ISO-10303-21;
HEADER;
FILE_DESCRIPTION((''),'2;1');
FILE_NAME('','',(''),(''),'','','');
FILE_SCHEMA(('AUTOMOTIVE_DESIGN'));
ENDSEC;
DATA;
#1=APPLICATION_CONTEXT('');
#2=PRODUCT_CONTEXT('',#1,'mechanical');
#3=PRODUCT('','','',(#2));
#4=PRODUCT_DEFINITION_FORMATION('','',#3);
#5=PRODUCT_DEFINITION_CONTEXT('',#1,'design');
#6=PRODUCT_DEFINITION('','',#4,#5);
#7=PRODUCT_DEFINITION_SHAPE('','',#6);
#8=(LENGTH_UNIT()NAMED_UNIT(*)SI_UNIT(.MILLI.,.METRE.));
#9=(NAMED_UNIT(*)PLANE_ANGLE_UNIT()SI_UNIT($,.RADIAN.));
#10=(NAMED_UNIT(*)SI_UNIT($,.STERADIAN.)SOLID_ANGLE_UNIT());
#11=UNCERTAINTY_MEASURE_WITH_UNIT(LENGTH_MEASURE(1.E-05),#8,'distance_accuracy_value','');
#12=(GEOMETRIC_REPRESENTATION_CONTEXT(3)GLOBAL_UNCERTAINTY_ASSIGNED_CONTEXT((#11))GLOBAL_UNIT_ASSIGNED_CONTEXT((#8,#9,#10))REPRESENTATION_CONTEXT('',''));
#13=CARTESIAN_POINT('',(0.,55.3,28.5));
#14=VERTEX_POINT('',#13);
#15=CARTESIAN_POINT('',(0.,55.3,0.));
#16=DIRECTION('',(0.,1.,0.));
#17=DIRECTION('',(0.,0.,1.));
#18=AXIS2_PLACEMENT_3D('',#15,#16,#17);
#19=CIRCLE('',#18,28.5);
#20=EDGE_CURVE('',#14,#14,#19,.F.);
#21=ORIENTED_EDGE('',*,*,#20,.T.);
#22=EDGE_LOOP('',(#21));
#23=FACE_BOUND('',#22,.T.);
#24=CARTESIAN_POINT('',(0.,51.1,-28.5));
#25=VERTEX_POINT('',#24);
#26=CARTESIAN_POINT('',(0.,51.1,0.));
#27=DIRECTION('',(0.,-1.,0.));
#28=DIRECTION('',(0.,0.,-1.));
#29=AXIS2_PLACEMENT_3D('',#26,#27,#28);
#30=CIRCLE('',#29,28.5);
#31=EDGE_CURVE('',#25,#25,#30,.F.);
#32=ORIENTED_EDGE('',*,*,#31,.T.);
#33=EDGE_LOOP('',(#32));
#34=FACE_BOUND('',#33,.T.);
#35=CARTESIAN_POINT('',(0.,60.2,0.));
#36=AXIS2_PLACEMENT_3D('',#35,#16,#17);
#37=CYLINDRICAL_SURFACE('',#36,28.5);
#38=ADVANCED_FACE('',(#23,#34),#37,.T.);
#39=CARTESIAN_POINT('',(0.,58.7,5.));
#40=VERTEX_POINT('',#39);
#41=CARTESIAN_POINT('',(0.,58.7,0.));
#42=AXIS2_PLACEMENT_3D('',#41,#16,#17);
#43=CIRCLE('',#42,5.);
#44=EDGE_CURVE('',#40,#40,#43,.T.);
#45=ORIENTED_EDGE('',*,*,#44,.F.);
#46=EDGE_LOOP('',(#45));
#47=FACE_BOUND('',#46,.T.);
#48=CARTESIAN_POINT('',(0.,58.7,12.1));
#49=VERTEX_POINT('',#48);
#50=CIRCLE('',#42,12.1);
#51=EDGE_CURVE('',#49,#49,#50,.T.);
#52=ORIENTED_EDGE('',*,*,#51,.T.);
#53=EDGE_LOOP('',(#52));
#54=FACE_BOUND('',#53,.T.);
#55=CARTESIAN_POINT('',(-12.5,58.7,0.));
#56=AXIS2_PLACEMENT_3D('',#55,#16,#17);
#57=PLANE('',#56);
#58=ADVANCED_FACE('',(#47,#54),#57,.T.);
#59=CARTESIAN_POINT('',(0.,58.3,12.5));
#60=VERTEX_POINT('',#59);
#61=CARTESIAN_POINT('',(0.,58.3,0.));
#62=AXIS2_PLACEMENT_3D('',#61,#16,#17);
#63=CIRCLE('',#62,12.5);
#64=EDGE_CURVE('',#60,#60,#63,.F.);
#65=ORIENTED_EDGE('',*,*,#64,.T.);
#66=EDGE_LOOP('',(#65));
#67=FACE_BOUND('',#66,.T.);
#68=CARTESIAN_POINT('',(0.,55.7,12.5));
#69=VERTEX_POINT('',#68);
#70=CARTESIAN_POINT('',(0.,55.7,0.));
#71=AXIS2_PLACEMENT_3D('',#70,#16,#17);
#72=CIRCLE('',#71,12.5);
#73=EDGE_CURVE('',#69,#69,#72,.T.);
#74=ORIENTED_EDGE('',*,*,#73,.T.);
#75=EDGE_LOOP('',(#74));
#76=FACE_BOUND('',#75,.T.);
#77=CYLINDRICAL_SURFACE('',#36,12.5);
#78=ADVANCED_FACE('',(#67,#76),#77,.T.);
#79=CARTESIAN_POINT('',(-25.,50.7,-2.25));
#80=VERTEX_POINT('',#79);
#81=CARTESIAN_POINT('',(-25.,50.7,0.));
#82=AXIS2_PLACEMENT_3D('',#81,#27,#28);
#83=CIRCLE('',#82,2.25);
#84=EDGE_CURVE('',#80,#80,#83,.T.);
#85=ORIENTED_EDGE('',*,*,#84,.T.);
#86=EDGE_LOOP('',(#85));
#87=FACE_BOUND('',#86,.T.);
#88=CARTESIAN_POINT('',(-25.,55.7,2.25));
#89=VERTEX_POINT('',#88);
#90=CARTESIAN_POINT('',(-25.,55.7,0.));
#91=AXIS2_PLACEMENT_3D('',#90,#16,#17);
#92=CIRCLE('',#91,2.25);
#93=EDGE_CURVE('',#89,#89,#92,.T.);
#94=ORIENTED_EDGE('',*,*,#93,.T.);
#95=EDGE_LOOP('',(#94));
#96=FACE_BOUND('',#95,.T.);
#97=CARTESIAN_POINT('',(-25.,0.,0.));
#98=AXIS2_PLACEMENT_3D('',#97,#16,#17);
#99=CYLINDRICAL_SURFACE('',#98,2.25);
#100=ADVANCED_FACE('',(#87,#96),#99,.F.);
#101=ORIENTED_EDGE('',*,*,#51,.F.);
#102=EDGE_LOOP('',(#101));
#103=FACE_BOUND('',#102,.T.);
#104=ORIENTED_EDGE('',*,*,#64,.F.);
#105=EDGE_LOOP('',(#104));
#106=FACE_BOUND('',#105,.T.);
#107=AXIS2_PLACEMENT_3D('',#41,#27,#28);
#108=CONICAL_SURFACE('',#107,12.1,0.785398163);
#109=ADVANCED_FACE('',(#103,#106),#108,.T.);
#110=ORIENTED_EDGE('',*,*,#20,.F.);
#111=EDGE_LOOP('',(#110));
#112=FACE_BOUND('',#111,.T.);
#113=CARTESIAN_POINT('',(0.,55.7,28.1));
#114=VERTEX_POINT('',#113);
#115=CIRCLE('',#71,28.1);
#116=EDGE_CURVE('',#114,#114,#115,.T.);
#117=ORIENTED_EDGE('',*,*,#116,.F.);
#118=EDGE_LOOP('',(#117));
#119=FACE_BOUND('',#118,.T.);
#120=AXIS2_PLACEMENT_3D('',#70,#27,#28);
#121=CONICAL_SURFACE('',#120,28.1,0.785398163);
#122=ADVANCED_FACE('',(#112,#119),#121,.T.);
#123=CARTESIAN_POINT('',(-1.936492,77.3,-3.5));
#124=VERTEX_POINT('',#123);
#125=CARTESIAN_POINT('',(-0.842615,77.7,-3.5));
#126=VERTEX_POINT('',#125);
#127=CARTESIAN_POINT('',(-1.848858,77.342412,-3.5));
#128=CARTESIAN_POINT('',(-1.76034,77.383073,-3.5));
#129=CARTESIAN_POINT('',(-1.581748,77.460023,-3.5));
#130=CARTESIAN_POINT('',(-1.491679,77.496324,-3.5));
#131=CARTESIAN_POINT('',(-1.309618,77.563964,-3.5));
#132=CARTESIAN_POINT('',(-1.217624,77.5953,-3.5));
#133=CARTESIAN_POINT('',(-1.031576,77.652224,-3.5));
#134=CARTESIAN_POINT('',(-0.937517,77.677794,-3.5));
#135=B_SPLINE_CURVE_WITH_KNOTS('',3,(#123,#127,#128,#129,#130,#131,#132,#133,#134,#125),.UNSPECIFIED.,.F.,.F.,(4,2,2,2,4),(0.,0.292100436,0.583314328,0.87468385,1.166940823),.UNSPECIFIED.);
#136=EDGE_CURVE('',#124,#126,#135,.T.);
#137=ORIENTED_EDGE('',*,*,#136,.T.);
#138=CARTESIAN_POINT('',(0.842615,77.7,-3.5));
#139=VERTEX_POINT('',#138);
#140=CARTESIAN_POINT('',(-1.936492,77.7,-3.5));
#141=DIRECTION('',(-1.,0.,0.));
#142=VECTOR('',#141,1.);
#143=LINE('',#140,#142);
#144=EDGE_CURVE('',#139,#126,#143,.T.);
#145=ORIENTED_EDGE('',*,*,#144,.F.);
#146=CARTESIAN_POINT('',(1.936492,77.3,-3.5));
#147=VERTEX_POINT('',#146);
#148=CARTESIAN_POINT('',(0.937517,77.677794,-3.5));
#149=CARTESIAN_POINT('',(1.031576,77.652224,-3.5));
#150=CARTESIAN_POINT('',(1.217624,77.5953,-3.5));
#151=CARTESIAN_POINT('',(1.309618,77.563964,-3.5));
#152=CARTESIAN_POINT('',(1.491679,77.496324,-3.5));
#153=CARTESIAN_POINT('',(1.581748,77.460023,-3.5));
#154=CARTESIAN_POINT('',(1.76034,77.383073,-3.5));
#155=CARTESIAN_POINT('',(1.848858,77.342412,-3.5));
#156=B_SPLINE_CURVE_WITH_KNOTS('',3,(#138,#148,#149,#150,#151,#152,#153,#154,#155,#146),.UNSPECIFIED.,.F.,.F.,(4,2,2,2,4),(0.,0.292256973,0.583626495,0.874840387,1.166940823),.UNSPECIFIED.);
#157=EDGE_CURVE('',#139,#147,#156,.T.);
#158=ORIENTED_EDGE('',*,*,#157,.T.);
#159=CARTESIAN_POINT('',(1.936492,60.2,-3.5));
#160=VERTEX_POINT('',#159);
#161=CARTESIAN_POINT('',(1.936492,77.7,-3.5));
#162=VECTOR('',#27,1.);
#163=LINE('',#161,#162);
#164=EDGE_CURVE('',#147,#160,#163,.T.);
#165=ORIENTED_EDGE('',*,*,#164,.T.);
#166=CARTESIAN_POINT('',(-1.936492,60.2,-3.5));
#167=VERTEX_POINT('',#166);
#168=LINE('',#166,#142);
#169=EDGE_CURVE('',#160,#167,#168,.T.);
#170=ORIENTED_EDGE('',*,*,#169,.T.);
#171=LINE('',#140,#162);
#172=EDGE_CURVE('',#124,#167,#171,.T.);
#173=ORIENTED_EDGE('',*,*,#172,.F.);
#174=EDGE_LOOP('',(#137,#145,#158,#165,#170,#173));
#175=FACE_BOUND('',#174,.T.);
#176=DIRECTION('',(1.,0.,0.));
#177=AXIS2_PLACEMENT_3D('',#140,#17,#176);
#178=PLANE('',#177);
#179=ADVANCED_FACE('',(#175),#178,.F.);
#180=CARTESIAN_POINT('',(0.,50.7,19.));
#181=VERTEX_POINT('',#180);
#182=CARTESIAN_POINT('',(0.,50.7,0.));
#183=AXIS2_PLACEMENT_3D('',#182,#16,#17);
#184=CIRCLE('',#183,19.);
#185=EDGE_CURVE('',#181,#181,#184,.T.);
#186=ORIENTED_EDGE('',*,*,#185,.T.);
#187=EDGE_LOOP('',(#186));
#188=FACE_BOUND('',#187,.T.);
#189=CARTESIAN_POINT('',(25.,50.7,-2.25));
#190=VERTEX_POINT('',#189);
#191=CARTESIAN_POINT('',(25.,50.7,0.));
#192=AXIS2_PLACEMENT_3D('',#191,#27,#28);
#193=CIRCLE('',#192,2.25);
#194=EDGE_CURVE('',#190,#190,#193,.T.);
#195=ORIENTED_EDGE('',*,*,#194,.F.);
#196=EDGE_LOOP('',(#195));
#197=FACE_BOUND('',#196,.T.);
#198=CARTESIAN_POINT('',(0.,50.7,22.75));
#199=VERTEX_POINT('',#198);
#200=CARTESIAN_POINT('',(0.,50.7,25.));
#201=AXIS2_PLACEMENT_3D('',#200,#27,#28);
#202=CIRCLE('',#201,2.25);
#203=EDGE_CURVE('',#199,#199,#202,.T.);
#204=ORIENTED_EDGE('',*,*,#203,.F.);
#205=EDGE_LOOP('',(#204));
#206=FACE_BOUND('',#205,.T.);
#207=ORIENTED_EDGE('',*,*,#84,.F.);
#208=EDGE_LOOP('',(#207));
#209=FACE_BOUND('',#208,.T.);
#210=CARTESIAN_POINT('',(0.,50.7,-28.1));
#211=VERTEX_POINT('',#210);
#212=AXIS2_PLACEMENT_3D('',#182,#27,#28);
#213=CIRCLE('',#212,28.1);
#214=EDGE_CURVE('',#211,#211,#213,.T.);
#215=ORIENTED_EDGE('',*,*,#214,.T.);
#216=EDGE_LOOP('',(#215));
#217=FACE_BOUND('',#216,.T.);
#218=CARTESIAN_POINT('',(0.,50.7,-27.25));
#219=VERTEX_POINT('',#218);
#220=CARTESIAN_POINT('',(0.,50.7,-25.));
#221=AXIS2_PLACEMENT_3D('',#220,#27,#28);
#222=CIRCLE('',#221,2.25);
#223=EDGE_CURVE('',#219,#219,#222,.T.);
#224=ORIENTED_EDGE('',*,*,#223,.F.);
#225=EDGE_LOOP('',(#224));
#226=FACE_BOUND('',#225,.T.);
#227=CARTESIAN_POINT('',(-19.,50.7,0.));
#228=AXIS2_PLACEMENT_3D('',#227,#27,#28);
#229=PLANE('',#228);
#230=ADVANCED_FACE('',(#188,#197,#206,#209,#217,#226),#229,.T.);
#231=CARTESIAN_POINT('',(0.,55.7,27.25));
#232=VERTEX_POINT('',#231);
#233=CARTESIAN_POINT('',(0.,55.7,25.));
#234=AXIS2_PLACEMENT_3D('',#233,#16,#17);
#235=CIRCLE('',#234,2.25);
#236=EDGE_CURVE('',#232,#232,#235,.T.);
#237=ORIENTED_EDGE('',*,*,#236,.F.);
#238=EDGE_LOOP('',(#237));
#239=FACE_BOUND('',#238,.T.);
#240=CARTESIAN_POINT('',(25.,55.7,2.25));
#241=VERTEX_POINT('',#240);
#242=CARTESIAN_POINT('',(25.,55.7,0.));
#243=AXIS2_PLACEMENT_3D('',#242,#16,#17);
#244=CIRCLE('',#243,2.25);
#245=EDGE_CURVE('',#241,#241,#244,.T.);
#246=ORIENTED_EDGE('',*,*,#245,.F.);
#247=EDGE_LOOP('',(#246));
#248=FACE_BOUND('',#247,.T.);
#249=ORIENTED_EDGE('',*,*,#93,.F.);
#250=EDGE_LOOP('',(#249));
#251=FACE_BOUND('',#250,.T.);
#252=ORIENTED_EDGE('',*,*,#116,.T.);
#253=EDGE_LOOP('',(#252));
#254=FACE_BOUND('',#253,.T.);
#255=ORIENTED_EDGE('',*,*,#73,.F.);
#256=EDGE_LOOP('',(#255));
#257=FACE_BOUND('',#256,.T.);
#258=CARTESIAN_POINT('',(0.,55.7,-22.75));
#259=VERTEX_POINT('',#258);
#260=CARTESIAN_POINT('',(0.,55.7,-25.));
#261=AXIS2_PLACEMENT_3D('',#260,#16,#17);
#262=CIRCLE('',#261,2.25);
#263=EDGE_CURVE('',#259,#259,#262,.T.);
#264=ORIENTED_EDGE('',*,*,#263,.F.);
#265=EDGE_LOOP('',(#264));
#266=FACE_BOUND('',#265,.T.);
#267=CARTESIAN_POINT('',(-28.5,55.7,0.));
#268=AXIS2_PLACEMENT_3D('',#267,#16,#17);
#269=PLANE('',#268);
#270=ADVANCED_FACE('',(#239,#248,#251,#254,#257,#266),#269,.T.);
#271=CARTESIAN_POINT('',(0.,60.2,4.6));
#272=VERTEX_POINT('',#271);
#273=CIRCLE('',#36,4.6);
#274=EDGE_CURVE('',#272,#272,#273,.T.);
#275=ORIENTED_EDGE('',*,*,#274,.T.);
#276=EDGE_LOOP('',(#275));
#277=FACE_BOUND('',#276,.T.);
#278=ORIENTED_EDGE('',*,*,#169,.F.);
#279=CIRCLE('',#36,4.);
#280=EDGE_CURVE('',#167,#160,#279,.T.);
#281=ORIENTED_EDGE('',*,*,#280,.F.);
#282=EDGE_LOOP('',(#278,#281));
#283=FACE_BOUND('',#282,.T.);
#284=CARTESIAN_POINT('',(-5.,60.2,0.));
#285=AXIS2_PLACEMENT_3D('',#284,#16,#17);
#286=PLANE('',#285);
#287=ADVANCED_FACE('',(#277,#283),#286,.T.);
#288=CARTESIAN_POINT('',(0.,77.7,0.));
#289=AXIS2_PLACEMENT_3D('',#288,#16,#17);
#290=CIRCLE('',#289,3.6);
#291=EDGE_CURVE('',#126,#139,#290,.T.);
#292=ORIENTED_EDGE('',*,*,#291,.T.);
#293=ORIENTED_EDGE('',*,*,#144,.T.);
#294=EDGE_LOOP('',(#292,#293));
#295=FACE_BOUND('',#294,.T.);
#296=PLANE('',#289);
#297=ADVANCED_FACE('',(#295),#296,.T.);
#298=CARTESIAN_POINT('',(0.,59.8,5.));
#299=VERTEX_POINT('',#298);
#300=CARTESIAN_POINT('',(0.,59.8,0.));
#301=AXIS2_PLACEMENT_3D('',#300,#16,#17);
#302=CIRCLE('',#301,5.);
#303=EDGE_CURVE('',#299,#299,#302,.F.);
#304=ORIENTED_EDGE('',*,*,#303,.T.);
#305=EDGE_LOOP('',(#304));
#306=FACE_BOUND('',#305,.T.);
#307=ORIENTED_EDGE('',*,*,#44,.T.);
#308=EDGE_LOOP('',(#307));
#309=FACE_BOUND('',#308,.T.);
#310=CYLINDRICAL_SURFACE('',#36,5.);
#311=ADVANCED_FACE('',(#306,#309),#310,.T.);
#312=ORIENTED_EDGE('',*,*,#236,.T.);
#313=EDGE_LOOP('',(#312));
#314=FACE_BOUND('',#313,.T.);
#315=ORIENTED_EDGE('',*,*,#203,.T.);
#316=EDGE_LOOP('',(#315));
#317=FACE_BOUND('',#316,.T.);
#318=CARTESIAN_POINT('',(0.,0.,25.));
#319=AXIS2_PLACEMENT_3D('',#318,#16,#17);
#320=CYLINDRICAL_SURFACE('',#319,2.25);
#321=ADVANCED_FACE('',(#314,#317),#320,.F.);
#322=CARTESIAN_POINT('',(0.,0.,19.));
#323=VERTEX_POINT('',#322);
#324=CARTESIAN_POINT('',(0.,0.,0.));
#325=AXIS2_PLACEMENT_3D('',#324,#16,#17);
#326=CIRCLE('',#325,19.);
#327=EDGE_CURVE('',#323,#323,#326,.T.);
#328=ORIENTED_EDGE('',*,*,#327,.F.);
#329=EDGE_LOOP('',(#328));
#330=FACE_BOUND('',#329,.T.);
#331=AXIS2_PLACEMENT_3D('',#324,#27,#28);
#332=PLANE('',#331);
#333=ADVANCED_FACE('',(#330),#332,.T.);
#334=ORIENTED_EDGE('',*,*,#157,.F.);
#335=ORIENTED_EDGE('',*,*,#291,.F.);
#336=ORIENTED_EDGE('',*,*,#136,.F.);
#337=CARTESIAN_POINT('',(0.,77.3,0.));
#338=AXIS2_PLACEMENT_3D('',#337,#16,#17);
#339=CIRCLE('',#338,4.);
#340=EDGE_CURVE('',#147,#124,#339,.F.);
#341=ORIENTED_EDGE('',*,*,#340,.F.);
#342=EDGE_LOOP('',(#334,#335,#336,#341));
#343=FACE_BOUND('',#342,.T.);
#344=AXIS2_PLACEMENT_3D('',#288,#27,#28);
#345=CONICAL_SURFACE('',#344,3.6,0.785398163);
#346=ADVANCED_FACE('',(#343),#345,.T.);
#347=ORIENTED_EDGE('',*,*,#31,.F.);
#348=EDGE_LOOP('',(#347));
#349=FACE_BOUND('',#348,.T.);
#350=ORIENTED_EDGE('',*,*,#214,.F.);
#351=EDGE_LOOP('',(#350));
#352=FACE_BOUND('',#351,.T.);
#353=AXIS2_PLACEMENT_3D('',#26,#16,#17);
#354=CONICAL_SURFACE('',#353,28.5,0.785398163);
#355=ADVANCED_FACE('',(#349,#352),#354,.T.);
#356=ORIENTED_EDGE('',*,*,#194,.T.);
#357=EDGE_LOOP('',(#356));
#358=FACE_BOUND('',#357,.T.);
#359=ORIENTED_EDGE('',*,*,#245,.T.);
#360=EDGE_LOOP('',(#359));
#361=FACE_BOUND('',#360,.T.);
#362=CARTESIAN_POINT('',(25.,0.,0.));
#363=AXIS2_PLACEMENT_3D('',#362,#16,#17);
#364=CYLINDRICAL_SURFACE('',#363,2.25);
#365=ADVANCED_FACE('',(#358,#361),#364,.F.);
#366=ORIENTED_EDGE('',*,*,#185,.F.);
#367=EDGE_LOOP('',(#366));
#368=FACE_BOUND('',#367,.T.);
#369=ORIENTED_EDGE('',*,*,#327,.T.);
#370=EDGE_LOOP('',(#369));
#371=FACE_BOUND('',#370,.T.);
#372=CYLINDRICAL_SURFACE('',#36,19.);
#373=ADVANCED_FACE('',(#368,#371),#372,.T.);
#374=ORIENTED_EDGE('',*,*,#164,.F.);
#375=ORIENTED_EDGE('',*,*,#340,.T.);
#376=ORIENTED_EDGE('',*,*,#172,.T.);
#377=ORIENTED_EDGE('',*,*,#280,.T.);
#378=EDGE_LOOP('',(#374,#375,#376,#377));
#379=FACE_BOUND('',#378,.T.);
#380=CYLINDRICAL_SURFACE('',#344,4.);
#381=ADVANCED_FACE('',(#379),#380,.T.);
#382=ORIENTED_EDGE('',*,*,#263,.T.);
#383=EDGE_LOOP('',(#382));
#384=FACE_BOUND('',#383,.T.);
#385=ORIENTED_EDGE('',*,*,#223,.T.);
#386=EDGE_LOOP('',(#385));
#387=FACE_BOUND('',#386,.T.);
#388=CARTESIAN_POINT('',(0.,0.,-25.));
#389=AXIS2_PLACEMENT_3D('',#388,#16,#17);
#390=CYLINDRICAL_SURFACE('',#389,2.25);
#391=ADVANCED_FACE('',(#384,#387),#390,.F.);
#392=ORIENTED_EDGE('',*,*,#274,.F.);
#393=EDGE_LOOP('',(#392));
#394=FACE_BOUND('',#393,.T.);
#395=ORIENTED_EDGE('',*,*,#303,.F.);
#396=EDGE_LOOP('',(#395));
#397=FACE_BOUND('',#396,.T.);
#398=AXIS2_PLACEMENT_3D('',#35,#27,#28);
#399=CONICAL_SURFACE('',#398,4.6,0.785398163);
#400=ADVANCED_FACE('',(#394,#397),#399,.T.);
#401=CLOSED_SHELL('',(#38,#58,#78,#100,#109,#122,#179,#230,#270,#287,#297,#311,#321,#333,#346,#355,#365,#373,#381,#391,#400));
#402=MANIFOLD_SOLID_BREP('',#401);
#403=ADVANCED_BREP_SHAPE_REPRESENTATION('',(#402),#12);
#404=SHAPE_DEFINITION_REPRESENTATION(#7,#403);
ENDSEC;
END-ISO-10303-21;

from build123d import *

# Parameters (mm, degrees)
BOSS_EXTRUDE1_DEPTH = 17.5
SKETCH3_R           = 2.25
CUT_EXTRUDE1_DEPTH  = 56.7
CHAMFER1_SIZE       = 0.4
CHAMFER2_SIZE       = 0.4
CHAMFER3_SIZE       = 0.4


with BuildPart() as part:
    # Sketch1 → Revolve1 (revolve)
    with BuildSketch(Plane.XY):
        Polygon((0, 0), (-19, 0), (-19, 50.7), (-28.5, 50.7), (-28.5, 55.7), (-12.5, 55.7), (-12.5, 58.7), (-5, 58.7), (-5, 60.2), (0, 60.2), align=None)
    revolve(axis=Axis((0, 60.2, 0), (0, -1, 0)))

    # Sketch2 → Boss-Extrude1 (add)
    with BuildSketch(Plane(origin=(0, 60.2, 0), x_dir=(1, 0, 0), z_dir=(0, 1, 0))):
        with BuildLine():
            Line((-1.936491673, 3.5), (1.936491673, 3.5))
            ThreePointArc((1.936491673, 3.5), (0, -4), (-1.936491673, 3.5))
        make_face()
    extrude(amount=BOSS_EXTRUDE1_DEPTH)

    # Sketch3 → Cut-Extrude1 (cut, through all)
    with BuildSketch(Plane(origin=(0, 55.7, 0), x_dir=(1, 0, 0), z_dir=(0, 1, 0))):
        with Locations((-25, 0)):
            Circle(SKETCH3_R)
        with Locations((0, 25)):
            Circle(SKETCH3_R)
        with Locations((25, 0)):
            Circle(SKETCH3_R)
        with Locations((0, -25)):
            Circle(SKETCH3_R)
    extrude(amount=-CUT_EXTRUDE1_DEPTH, mode=Mode.SUBTRACT)

    # Chamfer1
    chamfer1_edges = [part.edges().sort_by_distance(p)[0] for p in [
        (28.5, 55.7, 0),
        (28.5, 50.7, 0),
        (12.5, 58.7, 0),
    ]]
    chamfer(chamfer1_edges, length=CHAMFER1_SIZE)

    # Chamfer2
    chamfer2_edges = [part.edges().sort_by_distance(p)[0] for p in [
        (0, 77.7, 4),
    ]]
    chamfer(chamfer2_edges, length=CHAMFER2_SIZE)

    # Chamfer3
    chamfer3_edges = [part.edges().sort_by_distance(p)[0] for p in [
        (5, 60.2, 0),
    ]]
    chamfer(chamfer3_edges, length=CHAMFER3_SIZE)


solid = part.part
